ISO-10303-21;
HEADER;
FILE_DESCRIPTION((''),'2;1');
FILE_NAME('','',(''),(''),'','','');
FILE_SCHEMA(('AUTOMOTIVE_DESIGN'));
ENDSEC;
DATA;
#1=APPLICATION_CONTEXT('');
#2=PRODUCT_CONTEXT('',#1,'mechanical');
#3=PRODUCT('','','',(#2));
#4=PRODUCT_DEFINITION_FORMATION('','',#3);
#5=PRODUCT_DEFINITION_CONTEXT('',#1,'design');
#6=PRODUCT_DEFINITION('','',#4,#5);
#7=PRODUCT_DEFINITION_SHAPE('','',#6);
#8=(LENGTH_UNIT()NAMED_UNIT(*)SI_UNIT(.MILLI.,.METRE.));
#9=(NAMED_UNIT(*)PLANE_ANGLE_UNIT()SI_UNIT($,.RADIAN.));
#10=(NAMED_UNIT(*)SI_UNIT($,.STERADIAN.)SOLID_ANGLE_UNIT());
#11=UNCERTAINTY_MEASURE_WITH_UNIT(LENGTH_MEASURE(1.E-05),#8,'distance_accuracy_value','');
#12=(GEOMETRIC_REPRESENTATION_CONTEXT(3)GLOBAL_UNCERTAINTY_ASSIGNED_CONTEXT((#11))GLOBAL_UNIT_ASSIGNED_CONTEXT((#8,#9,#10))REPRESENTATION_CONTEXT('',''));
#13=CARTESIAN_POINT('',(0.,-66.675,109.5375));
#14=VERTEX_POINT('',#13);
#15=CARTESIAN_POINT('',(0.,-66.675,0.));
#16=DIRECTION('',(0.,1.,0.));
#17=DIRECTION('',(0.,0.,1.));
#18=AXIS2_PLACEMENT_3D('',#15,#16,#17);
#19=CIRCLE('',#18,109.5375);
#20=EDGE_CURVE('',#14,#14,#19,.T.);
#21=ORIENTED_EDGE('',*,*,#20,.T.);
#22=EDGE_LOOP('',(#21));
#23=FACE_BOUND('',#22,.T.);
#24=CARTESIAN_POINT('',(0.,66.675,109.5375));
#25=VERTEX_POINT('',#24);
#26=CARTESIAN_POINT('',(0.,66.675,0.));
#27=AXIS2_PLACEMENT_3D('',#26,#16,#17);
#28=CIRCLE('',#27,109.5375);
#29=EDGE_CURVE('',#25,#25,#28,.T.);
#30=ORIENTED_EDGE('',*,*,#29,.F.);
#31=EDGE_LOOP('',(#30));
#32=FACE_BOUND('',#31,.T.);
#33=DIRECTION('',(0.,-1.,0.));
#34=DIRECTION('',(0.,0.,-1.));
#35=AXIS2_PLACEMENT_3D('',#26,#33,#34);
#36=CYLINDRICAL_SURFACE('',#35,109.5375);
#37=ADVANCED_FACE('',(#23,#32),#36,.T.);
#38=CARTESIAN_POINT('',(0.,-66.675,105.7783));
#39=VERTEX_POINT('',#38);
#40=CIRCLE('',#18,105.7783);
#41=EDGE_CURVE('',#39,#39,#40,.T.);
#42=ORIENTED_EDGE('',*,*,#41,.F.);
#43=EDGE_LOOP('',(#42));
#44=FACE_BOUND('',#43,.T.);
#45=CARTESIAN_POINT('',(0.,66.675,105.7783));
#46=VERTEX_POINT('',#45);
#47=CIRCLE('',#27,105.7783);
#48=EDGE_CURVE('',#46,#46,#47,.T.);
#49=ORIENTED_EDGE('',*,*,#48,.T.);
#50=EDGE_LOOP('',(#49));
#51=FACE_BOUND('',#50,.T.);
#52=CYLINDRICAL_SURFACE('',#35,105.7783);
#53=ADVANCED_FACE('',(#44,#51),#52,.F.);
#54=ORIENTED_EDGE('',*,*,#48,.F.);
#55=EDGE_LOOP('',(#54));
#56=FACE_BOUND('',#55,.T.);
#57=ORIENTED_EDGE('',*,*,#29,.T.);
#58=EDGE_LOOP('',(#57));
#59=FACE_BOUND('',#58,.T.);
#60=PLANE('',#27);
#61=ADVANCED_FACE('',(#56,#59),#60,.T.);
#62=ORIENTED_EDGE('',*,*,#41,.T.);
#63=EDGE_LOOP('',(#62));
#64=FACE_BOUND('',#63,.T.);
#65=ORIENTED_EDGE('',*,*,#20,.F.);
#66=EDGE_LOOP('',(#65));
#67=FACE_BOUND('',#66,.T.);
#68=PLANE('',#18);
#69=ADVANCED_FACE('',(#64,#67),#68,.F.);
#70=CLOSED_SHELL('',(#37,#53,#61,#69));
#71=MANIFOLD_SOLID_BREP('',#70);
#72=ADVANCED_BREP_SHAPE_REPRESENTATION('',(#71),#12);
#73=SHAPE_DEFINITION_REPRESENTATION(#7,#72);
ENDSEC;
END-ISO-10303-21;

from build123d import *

# Parameters (mm, degrees)
SKETCH1_R           = 109.5375
SKETCH1_R_2         = 105.7783
BOSS_EXTRUDE1_DEPTH = 66.675


with BuildPart() as part:
    # Sketch1 → Boss-Extrude1 (new, symmetric)
    with BuildSketch(Plane(origin=(0, 0, 0), x_dir=(1, 0, 0), z_dir=(0, 1, 0))):
        with Locations(Location((0, 0, 0), (0, 0, 270))):
            Circle(SKETCH1_R)
        with Locations(Location((0, 0, 0), (0, 0, 270))):
            Circle(SKETCH1_R_2, mode=Mode.SUBTRACT)
    extrude(amount=BOSS_EXTRUDE1_DEPTH, both=True)


solid = part.part
